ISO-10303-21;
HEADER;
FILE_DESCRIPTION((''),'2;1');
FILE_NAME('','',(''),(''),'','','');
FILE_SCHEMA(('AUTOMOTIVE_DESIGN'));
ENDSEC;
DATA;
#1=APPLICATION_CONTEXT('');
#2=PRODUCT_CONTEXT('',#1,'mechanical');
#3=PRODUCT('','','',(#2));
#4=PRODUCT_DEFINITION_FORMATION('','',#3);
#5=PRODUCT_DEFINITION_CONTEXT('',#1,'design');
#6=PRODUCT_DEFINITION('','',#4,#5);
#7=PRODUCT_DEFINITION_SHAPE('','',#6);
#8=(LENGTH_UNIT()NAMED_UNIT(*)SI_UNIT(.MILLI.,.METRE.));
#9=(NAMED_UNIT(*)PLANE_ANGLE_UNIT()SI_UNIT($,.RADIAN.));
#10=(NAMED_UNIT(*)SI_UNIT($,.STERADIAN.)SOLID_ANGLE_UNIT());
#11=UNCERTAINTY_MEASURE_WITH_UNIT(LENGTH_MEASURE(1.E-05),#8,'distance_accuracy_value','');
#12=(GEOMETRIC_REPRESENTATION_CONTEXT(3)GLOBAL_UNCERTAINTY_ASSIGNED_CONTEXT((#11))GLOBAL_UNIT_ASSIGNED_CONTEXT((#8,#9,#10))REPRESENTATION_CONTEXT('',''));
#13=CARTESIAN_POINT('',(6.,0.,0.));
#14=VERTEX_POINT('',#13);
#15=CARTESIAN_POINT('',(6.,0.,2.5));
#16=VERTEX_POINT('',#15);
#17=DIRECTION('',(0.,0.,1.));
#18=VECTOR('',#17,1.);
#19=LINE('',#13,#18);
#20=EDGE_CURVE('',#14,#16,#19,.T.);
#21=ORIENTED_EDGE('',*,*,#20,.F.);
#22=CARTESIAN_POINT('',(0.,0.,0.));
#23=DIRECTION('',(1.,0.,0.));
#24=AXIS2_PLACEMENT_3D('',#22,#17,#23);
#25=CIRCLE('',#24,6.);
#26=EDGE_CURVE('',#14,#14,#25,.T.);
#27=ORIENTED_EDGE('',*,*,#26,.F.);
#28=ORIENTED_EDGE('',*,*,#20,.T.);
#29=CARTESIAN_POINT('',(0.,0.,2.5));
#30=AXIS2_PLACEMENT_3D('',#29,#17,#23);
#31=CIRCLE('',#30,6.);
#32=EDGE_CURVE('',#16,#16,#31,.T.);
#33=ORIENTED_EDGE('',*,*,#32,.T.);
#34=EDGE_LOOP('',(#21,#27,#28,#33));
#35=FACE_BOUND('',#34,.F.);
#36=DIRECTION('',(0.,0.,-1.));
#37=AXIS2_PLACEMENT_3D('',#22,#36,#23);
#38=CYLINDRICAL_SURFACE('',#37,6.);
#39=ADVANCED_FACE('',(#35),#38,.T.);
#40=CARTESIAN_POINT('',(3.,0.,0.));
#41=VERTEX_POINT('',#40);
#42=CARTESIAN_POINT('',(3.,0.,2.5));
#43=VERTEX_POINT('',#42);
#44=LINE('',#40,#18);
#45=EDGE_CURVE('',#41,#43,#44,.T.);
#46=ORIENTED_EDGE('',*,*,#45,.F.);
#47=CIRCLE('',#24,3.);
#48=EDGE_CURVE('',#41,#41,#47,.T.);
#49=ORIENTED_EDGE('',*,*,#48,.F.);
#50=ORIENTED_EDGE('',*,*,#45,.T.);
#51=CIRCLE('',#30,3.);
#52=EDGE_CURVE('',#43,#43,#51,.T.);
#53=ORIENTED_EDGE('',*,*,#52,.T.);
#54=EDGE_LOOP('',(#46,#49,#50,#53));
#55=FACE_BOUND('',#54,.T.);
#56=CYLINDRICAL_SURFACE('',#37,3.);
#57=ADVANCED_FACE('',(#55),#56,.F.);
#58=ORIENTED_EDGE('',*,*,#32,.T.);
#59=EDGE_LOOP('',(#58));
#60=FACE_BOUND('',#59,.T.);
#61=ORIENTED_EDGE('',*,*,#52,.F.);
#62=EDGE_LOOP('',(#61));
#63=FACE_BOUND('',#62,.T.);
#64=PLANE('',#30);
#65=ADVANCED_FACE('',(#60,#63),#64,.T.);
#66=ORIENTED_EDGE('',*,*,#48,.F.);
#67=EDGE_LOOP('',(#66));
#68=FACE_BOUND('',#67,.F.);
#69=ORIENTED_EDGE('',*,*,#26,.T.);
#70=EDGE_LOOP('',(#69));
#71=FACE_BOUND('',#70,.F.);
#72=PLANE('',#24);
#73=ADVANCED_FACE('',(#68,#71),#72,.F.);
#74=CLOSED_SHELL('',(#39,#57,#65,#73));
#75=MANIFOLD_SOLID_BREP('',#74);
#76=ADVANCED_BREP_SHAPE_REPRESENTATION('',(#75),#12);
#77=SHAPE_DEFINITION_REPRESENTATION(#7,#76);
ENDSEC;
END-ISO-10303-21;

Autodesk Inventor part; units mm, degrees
ref_plane "YZ Plane" through (0, 0, 0) normal (1, 0, 0) x (0, 1, 0)
ref_plane "XZ Plane" through (0, 0, 0) normal (0, 1, 0) x (-1, 0, 0)
ref_plane "XY Plane" through (0, 0, 0) normal (0, 0, 1) x (1, 0, 0)
sketch "スケッチ1" plane through (0, 0, 0) normal (0, 0, 1) x (1, 0, 0)
  circle A0 centre (0, 0) radius 6
  circle A1 centre (0, 0) radius 3
  dimension "d0" = 12
  dimension "d1" = 6
extrude "押し出し1" add sketch "スケッチ1" along normal blind 2.5
properties part number "base_part6" material "アルミニウム 6061"
